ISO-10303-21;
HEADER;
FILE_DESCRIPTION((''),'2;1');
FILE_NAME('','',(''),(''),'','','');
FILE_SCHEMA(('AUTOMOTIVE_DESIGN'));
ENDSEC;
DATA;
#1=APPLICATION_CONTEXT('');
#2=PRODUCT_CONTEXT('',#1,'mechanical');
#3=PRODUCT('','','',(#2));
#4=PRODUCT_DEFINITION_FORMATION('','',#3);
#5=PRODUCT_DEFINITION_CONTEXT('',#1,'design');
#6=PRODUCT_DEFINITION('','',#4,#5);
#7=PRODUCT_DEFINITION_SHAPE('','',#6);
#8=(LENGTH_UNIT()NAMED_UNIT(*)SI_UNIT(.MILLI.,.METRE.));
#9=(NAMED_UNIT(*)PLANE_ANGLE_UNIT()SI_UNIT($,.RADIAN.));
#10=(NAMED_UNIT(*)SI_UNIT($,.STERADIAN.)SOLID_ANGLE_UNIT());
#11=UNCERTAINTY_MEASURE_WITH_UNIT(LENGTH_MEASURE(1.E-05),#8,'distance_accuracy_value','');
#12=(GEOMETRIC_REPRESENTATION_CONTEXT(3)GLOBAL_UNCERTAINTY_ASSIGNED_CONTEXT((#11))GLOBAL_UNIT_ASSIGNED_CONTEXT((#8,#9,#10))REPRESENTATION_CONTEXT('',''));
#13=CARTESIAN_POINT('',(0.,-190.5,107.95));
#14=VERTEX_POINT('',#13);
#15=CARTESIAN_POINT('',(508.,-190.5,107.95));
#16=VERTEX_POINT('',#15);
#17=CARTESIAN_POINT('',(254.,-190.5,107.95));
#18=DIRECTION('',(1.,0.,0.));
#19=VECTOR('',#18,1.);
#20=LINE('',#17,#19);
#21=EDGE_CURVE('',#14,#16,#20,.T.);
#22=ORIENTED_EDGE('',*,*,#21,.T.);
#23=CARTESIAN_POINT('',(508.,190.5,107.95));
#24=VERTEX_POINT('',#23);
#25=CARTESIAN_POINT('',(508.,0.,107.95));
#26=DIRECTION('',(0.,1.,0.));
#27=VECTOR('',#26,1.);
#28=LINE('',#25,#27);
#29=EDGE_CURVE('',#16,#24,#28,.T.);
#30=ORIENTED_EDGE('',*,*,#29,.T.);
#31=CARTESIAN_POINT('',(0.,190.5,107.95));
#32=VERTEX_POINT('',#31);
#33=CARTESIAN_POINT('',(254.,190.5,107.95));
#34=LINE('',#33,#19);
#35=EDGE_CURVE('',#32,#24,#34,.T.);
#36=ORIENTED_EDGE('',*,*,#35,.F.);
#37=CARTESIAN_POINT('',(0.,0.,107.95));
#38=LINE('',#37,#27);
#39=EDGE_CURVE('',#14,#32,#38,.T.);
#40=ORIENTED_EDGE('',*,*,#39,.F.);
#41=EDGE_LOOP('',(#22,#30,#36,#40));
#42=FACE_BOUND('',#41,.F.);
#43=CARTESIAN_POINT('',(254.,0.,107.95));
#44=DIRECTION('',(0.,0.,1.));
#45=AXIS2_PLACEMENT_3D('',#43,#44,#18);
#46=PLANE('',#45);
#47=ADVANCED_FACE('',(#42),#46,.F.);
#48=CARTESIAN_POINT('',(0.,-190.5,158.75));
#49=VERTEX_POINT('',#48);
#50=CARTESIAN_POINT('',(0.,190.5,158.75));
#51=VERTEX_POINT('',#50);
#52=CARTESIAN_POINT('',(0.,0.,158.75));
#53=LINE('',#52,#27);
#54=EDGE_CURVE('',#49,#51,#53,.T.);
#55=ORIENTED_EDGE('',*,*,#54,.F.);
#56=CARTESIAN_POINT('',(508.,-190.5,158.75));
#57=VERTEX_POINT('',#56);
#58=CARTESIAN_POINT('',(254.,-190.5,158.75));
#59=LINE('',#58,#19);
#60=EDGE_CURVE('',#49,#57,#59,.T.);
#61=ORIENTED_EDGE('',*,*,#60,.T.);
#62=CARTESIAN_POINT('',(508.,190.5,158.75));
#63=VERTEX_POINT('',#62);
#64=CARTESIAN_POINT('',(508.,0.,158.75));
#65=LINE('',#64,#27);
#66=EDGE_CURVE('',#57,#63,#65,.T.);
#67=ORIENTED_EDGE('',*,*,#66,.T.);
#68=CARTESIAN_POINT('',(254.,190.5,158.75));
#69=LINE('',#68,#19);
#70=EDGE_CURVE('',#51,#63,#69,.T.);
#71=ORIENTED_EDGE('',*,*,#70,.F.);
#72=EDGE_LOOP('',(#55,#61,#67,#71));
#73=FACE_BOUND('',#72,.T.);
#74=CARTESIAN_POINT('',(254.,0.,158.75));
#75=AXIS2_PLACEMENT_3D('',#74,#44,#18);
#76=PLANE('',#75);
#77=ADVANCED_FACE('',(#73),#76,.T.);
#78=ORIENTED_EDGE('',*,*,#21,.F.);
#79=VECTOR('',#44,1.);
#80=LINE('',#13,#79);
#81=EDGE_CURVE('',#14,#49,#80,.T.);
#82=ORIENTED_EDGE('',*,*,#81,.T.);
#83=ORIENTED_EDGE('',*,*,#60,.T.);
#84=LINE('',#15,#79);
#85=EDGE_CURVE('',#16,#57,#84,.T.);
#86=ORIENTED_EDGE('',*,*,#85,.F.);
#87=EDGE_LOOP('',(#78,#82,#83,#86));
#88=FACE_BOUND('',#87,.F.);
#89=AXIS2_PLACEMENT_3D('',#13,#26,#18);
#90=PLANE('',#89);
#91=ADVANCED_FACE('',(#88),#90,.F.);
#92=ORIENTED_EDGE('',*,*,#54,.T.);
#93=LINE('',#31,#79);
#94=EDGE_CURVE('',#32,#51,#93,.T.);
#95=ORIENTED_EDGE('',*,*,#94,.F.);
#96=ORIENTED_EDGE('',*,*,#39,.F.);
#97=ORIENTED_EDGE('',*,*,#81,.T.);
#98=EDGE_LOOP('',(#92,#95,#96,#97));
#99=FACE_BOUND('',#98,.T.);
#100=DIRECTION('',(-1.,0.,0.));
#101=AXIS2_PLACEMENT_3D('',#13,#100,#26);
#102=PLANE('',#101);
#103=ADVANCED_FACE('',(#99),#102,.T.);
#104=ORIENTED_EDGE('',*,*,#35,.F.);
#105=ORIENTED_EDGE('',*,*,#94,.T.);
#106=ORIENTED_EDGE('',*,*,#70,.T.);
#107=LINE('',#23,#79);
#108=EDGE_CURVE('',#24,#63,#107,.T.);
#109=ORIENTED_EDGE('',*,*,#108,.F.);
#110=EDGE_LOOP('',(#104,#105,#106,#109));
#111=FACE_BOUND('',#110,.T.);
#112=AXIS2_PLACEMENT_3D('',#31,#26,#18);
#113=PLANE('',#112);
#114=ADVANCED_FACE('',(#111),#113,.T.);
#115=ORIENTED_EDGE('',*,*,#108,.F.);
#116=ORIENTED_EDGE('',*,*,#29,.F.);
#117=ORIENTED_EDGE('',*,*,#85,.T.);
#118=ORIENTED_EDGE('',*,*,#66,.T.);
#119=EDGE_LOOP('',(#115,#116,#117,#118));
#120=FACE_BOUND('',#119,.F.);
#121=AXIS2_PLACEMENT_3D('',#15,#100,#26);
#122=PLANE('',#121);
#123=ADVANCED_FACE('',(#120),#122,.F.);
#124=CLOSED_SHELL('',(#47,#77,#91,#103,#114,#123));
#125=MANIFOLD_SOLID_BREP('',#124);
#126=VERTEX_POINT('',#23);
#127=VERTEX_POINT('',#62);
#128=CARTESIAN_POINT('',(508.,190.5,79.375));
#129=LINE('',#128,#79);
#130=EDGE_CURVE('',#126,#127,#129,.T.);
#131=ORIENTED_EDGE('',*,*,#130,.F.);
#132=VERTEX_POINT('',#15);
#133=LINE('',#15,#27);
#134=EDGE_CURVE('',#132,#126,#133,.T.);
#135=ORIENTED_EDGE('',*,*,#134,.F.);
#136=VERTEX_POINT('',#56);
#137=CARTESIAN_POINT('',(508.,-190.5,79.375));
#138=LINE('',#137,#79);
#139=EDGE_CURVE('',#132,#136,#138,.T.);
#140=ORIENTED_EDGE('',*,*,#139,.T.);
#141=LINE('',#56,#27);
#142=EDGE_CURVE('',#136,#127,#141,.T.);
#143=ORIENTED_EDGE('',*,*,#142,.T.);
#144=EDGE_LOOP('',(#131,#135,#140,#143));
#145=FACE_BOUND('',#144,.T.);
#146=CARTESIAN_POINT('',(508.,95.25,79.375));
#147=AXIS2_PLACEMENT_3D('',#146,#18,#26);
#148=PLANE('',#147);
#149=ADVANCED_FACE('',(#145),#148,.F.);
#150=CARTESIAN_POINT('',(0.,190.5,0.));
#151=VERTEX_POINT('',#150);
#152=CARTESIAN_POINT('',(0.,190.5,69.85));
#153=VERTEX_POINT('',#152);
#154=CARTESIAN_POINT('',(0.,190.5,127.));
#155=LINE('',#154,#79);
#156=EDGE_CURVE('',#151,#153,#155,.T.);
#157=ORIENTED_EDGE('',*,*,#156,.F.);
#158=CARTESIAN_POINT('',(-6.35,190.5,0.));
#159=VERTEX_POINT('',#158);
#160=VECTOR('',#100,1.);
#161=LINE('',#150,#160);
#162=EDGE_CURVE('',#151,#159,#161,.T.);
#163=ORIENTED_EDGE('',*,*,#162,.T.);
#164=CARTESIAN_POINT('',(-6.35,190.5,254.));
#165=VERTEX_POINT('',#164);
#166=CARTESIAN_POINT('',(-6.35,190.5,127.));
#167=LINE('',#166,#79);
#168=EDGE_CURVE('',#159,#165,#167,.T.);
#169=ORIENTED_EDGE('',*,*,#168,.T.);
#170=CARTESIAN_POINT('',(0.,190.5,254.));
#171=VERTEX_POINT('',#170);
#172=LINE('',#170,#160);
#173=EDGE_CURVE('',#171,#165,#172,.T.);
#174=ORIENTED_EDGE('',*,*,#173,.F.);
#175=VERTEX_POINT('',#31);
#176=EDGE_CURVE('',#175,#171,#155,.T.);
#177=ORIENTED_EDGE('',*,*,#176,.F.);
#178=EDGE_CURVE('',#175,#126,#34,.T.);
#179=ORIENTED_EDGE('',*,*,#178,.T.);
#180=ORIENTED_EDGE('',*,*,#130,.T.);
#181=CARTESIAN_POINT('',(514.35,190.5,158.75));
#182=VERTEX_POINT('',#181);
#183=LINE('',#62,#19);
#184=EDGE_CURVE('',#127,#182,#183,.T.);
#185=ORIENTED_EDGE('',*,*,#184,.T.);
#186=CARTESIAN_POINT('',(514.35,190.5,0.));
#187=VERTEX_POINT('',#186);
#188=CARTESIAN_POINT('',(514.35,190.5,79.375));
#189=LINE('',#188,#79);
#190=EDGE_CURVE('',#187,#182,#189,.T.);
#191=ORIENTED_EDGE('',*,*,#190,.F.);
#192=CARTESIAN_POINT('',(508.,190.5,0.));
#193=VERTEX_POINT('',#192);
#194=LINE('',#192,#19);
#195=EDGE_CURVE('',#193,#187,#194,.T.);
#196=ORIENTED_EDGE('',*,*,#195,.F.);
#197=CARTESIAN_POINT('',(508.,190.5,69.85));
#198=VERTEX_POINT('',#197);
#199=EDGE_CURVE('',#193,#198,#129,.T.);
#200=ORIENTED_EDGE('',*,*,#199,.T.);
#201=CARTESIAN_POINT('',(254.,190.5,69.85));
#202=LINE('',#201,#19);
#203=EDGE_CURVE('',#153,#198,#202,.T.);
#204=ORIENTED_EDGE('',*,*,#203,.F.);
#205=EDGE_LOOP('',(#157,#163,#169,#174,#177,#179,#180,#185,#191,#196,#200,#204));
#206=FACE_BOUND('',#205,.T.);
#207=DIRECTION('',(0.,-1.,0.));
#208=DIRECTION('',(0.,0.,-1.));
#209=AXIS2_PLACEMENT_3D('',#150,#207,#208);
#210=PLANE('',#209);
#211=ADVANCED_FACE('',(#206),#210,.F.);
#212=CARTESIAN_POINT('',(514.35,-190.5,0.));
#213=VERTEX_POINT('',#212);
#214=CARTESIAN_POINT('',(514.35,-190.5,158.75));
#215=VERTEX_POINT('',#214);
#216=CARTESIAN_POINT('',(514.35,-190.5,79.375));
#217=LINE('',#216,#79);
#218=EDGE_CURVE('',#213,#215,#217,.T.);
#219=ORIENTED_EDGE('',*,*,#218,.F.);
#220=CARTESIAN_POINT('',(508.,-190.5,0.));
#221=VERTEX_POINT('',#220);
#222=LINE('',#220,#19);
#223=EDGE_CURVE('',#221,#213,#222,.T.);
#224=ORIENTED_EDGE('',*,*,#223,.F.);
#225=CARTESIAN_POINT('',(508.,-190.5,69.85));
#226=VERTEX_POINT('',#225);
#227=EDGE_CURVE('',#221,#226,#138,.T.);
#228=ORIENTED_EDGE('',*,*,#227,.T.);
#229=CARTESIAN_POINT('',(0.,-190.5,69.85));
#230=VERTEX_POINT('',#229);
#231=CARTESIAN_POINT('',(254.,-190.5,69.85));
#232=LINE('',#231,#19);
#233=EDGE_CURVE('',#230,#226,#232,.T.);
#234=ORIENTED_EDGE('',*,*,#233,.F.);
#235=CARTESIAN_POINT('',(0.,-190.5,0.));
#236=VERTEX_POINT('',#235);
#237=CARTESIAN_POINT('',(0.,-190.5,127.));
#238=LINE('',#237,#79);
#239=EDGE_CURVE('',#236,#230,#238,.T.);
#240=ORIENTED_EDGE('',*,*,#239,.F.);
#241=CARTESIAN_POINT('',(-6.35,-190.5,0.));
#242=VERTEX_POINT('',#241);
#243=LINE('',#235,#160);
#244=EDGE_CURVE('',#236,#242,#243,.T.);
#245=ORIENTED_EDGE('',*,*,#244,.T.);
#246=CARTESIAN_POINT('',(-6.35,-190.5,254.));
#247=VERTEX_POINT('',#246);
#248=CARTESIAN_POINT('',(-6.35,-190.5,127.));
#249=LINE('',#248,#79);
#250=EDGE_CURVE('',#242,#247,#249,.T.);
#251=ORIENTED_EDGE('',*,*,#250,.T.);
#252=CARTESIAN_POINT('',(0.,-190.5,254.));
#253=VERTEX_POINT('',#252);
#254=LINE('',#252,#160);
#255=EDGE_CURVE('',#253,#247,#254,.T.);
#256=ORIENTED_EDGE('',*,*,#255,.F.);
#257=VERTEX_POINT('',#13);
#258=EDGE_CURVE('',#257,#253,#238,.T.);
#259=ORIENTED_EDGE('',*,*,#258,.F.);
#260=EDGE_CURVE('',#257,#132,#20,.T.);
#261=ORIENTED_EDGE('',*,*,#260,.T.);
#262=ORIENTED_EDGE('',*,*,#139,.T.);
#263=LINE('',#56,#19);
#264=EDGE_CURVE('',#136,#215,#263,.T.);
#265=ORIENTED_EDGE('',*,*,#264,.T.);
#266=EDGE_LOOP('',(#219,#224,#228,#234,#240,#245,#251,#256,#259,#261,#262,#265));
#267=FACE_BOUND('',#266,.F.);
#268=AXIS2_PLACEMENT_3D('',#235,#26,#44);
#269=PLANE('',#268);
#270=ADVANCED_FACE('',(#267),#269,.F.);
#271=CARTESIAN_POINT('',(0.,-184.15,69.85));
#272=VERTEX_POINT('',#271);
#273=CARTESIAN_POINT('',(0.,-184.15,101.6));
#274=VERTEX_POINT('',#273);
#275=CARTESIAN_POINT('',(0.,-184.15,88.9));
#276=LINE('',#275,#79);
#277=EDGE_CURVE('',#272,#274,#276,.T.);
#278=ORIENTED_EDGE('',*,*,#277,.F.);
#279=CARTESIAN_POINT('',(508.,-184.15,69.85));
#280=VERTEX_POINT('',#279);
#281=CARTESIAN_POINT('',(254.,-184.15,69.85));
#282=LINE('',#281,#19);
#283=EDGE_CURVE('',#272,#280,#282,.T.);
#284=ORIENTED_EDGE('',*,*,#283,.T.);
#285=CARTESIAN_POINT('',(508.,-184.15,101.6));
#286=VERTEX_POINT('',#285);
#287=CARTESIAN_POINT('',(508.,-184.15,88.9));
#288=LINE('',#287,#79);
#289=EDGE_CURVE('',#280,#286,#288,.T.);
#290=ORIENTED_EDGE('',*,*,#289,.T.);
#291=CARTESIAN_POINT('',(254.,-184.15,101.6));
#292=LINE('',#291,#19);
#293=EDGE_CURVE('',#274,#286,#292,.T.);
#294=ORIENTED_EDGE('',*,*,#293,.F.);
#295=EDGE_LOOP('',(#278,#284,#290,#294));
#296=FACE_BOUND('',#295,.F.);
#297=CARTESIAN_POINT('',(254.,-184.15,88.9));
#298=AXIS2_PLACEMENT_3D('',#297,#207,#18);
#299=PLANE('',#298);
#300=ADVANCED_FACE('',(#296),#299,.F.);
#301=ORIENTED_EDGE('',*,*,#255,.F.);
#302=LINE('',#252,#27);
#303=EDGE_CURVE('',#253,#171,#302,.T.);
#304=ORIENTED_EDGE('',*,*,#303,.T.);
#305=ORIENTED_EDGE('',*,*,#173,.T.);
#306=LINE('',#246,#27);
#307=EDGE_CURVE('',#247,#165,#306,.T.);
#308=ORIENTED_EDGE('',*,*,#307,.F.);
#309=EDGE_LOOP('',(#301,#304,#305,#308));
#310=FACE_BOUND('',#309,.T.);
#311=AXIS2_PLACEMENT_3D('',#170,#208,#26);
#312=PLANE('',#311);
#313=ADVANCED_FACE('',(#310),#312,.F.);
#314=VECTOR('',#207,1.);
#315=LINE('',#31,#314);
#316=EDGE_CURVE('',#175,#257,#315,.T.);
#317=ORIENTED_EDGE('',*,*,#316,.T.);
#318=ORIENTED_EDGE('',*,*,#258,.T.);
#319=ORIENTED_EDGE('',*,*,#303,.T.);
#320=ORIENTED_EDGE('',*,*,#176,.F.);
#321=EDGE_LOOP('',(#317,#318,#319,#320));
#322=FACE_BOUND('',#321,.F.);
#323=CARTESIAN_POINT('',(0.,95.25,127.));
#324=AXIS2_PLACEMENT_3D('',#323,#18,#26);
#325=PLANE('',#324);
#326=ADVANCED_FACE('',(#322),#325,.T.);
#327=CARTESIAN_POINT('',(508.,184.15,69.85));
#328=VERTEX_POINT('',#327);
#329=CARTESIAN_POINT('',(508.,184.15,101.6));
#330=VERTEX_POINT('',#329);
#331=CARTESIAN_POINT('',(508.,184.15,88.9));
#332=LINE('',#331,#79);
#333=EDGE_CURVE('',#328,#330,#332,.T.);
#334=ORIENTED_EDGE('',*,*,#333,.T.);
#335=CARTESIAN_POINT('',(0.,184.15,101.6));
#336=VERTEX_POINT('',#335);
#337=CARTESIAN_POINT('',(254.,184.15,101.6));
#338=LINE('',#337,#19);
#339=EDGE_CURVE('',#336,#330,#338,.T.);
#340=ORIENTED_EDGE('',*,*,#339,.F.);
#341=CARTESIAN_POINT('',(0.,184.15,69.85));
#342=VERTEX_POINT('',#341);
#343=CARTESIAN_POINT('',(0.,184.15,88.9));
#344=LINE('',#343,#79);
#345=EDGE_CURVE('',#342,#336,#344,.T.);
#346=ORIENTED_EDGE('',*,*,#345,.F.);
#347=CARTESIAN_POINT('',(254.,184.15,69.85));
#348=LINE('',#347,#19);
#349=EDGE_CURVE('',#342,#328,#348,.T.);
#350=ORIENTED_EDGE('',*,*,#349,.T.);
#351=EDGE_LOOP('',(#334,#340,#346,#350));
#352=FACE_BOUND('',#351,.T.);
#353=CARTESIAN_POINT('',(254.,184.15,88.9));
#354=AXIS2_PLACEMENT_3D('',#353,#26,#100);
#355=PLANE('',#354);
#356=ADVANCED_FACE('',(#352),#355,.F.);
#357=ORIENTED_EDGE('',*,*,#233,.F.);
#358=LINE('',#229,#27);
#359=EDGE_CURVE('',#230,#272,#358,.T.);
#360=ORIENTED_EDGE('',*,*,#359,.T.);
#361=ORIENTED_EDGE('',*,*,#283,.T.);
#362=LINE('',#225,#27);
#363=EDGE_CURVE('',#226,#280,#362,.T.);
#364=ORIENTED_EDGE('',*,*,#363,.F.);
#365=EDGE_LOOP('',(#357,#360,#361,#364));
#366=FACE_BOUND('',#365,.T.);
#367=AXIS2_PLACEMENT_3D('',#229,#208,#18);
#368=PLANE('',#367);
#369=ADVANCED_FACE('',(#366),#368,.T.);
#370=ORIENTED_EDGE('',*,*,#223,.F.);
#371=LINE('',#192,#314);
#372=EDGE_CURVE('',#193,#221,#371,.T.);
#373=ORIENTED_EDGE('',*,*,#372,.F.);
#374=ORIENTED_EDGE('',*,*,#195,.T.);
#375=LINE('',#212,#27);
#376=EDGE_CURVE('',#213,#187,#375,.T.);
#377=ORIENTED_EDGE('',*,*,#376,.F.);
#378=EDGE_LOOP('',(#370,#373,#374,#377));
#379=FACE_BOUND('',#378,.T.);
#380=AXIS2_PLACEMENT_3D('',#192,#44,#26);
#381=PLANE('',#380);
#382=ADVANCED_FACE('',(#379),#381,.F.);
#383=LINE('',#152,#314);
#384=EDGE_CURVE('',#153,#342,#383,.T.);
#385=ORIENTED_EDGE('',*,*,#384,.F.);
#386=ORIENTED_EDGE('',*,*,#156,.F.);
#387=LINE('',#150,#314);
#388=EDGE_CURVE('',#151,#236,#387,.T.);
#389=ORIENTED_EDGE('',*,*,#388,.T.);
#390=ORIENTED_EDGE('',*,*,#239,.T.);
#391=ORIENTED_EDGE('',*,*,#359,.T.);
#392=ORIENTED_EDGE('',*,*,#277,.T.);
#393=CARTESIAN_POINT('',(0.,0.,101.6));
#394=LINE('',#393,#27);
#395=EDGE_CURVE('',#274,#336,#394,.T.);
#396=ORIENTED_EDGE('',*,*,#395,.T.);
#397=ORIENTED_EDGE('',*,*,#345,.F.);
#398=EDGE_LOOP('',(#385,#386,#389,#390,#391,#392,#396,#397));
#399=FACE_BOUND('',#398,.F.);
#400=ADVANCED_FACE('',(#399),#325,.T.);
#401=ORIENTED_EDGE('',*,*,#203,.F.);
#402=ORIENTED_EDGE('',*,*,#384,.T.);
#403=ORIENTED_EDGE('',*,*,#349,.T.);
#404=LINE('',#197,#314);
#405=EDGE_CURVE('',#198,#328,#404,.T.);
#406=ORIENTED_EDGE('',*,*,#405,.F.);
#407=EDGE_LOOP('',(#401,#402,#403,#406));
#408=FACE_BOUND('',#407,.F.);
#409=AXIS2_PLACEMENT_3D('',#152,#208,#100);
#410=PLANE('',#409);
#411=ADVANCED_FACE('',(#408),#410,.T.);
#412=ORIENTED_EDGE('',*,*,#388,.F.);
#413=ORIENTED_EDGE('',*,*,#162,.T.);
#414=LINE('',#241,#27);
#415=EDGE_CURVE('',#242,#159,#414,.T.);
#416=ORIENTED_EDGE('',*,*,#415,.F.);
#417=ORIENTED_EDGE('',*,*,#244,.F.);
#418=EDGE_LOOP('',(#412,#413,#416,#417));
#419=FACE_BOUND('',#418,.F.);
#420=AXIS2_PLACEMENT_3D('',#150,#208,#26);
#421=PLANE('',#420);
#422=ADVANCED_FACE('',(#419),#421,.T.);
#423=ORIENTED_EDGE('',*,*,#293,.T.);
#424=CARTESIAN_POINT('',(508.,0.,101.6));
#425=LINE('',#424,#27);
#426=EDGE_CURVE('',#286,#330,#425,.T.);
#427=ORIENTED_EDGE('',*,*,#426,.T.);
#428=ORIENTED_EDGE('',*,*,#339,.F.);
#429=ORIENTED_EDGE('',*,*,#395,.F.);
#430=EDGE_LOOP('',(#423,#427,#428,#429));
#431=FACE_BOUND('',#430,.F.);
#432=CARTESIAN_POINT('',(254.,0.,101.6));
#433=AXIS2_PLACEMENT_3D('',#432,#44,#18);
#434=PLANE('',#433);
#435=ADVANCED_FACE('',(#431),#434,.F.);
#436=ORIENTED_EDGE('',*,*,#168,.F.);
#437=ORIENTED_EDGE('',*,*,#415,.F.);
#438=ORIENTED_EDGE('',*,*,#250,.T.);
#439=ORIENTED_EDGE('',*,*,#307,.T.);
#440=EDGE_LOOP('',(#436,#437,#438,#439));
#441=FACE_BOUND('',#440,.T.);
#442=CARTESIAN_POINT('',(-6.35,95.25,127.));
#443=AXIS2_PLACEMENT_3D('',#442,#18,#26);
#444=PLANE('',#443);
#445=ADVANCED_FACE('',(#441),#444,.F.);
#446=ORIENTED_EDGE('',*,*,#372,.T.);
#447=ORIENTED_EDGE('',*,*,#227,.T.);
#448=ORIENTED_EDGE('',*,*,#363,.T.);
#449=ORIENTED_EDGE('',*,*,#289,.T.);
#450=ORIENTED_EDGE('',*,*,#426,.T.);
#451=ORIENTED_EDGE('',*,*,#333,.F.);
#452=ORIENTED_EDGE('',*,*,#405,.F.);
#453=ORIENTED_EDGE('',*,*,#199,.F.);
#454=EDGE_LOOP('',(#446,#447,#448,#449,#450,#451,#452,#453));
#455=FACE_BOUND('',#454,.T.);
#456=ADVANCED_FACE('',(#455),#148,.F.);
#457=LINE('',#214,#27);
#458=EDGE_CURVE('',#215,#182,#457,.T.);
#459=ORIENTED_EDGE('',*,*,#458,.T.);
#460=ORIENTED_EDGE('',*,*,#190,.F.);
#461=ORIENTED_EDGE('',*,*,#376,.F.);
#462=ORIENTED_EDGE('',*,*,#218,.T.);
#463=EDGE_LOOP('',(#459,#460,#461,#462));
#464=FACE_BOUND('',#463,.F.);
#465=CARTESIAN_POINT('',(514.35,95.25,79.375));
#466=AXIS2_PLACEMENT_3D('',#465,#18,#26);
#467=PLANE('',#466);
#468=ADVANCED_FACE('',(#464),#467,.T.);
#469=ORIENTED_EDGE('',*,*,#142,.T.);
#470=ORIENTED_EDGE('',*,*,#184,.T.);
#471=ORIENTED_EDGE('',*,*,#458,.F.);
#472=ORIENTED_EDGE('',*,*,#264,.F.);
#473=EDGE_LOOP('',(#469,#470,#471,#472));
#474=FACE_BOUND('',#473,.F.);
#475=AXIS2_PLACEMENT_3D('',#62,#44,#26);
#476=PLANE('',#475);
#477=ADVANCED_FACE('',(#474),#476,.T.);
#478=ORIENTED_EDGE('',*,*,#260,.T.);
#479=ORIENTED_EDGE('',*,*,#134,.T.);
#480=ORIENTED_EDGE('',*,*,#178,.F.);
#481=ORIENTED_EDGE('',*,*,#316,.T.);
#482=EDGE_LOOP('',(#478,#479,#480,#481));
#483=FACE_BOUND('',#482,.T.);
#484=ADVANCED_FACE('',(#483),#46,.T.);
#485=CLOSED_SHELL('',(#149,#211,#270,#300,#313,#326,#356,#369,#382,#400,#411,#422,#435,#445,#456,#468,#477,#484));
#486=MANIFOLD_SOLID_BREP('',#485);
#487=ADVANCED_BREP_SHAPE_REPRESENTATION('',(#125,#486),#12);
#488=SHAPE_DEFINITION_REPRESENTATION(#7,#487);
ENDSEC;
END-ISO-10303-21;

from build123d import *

# Parameters (mm, degrees)
F1_W      = 190.5
F1_H      = 158.75
F2_DEPTH  = 6.35
F3_W      = 190.5
F3_H      = 254
F4_DEPTH  = 6.35
F5_W      = 508
F5_H      = 38.1
F6_DEPTH  = 6.35
F8_W      = 508
F8_H      = 368.3
F9_DEPTH  = 6.35
F10_W     = 508
F10_H     = 381
F11_DEPTH = 50.8


with BuildPart() as f2:
    # F1 (on offset) → F2 (new body)
    with BuildSketch(Plane.YZ.offset(508)):
        with Locations((-95.25, 79.375)):
            Rectangle(F1_W, F1_H)
    extrude(amount=F2_DEPTH)



with BuildPart() as f4:
    # F3 (on Right) → F4 (new body)
    with BuildSketch(Plane.YZ):
        with Locations((-95.25, 127)):
            Rectangle(F3_W, F3_H)
    extrude(amount=-F4_DEPTH)


with BuildPart() as f2_1:
    add(f2.part)

    add(f4.part)  # F6 merges F4
    # F5 (on face) → F6 (join)
    with BuildSketch(Plane.XZ.offset(190.5)):
        with Locations((254, 88.9)):
            Rectangle(F5_W, F5_H)
    extrude(amount=-F6_DEPTH)

    # F7: F2 across plane


with BuildPart() as f2_2:
    add(f2_1.part)
    add(f2_1.part.mirror(Plane.XZ))

    # F8 (on face) → F9 (join)
    with BuildSketch(Plane.XY.offset(107.95)):
        with Locations((254, 0)):
            Rectangle(F8_W, F8_H)
    extrude(amount=-F9_DEPTH)


with BuildPart() as f11:
    # F10 (on face) → F11 (new body)
    with BuildSketch(Plane.XY.offset(107.95)):
        with Locations((254, 0)):
            Rectangle(F10_W, F10_H)
    extrude(amount=F11_DEPTH)


solid = Compound([f2_2.part, f11.part])
